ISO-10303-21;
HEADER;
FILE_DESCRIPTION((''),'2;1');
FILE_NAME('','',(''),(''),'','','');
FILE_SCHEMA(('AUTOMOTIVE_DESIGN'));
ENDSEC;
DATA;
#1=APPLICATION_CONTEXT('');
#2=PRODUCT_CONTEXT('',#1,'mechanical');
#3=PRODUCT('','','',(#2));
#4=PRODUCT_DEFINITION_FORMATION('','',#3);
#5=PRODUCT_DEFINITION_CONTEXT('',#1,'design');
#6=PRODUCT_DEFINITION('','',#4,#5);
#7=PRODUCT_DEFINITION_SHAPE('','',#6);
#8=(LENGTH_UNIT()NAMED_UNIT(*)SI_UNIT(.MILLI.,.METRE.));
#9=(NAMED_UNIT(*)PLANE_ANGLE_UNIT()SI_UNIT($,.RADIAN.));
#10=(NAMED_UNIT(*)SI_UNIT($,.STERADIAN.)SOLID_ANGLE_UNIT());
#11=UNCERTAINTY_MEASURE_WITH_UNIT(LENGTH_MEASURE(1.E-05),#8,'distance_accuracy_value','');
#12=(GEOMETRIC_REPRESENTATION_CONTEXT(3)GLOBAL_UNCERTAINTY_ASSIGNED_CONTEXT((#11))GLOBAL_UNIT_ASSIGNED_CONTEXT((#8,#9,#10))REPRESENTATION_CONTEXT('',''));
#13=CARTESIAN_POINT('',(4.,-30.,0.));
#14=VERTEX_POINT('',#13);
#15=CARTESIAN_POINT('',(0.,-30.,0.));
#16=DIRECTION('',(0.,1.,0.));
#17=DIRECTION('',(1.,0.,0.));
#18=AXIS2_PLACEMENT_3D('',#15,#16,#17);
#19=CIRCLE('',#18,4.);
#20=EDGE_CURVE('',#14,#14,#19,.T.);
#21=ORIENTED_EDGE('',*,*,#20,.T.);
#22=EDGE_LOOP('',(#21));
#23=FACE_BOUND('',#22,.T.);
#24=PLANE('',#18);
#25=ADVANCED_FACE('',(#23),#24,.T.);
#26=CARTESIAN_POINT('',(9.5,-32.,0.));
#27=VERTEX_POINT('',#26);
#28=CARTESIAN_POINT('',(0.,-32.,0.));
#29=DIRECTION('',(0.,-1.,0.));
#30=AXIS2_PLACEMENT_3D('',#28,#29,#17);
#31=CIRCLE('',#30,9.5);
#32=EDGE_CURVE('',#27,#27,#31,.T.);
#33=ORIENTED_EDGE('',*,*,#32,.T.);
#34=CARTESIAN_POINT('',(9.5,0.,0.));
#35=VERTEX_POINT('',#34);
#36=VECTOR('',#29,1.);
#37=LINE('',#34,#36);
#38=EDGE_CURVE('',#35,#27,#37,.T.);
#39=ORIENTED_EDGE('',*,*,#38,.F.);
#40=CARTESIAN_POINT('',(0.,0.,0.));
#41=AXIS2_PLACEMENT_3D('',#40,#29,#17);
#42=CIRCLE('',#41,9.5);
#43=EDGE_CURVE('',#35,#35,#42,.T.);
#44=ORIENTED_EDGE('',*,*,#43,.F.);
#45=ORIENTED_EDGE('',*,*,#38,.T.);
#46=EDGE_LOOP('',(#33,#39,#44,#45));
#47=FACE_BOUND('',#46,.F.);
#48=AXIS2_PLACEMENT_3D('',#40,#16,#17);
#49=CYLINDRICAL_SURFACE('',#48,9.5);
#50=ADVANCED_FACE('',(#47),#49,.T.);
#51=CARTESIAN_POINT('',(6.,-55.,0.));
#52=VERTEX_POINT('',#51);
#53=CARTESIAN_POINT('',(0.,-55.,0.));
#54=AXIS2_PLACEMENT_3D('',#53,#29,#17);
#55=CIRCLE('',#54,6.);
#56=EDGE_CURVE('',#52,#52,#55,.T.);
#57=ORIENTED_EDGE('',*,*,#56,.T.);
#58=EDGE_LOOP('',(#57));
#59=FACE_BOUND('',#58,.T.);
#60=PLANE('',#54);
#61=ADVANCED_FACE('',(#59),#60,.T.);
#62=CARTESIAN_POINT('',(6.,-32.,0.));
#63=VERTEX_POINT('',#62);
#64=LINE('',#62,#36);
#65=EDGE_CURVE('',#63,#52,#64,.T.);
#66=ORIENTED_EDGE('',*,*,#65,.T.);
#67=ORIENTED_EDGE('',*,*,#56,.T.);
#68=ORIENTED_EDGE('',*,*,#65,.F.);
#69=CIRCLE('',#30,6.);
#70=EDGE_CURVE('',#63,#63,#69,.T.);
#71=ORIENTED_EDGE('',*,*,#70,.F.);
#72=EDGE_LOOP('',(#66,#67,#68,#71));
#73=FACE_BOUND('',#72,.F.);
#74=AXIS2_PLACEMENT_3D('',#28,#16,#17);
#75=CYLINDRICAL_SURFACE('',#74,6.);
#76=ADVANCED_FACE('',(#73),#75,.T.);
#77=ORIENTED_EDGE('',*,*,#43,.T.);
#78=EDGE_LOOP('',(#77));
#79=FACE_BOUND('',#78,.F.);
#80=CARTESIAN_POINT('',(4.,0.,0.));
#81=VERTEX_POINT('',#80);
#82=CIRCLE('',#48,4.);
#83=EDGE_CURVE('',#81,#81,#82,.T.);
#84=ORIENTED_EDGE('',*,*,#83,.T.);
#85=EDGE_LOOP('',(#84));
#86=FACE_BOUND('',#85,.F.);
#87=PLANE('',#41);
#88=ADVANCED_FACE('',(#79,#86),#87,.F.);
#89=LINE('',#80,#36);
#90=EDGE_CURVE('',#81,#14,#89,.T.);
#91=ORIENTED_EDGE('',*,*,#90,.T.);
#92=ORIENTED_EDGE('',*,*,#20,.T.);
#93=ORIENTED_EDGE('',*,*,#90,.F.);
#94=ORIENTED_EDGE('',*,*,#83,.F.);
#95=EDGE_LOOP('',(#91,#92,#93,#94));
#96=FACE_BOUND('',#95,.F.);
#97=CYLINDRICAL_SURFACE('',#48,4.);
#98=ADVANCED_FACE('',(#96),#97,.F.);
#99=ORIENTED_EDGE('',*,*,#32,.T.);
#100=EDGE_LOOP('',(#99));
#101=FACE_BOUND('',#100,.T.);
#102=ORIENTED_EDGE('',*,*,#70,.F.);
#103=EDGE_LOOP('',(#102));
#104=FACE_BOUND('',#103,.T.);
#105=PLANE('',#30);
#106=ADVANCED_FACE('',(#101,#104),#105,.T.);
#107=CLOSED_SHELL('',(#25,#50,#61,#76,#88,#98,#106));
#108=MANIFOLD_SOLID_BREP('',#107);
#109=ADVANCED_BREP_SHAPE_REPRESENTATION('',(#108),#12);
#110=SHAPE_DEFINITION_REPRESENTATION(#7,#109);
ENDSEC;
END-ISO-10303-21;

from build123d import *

# Parameters (mm, degrees)
SKETCH013_R     = 9.5
PAD011_DEPTH    = 32
SKETCH014_R     = 4
POCKET002_DEPTH = 30
SKETCH015_R     = 6
PAD012_DEPTH    = 23


with BuildPart() as part:
    # Sketch013 → Pad011 (new body)
    with BuildSketch(Plane.XZ):
        Circle(SKETCH013_R)
    extrude(amount=PAD011_DEPTH)

    # Sketch014 (on Face2 of Pad011) → Pocket002 (cut)
    with BuildSketch(Plane(origin=(0, 0, 0), x_dir=(1, 0, 0), z_dir=(0, 1, 0))):
        Circle(SKETCH014_R)
    extrude(amount=-POCKET002_DEPTH, mode=Mode.SUBTRACT)

    # Sketch015 (on Face3 of Pocket002) → Pad012 (new body)
    with BuildSketch(Plane.XZ.offset(32)):
        Circle(SKETCH015_R)
    extrude(amount=PAD012_DEPTH)


solid = part.part
